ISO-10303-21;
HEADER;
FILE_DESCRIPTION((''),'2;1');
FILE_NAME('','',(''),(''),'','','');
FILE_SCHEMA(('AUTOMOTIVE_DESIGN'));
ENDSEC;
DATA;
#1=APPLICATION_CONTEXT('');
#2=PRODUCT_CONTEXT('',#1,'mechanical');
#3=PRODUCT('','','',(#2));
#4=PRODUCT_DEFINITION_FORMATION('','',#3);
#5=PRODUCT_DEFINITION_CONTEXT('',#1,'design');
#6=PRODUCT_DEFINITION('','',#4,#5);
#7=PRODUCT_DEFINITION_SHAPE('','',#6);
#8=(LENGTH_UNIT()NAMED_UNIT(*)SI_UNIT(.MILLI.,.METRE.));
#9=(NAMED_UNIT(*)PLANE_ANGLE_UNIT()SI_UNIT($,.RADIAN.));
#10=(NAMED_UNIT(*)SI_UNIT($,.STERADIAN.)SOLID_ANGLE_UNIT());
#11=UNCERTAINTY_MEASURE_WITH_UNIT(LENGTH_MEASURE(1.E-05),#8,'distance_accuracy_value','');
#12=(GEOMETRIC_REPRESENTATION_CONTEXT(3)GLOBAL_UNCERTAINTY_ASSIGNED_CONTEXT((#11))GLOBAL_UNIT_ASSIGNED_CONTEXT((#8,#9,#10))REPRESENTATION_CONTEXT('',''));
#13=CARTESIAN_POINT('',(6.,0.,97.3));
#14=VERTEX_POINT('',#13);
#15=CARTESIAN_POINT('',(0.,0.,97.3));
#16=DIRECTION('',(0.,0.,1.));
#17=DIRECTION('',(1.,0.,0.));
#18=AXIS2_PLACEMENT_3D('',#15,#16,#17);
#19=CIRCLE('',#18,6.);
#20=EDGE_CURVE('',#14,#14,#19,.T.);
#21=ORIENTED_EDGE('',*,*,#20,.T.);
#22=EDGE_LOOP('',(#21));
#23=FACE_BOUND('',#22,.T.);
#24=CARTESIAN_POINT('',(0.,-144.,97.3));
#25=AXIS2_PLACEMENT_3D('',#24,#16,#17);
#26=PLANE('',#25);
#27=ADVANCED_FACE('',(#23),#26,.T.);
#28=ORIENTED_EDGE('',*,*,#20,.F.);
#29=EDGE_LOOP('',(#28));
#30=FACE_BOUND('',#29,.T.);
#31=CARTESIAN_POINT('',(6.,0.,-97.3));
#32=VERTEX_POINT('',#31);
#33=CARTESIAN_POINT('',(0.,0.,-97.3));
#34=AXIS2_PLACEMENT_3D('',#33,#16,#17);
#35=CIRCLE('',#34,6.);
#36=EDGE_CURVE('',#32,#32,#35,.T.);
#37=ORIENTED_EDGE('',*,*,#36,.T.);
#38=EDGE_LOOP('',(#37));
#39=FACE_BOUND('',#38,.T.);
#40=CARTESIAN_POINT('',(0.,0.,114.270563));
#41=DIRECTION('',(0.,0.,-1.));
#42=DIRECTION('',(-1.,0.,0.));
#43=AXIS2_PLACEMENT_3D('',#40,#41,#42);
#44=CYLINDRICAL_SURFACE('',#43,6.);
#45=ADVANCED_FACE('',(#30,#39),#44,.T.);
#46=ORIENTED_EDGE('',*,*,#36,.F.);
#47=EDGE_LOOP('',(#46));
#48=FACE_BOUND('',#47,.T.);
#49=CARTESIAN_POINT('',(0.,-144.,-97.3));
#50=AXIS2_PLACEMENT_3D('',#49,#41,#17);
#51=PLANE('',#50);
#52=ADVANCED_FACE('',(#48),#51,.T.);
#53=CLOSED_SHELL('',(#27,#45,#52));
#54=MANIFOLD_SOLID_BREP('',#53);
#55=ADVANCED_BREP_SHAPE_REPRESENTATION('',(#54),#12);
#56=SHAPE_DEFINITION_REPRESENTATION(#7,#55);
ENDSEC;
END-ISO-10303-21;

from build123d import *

# Parameters (mm, degrees)
SKETCH_1_R      = 6
EXTRUDE_1_DEPTH = 97.3


with BuildPart() as part:
    # Эскиз1 → Бобышка-Вытянуть1 (new body)
    with BuildSketch(Plane.XY):
        Circle(SKETCH_1_R)
    extrude(amount=EXTRUDE_1_DEPTH)

    # Зеркальное отражение1: part across plane


with BuildPart() as part_1:
    add(part.part)
    add(part.part.mirror(Plane.XY))


solid = part_1.part
